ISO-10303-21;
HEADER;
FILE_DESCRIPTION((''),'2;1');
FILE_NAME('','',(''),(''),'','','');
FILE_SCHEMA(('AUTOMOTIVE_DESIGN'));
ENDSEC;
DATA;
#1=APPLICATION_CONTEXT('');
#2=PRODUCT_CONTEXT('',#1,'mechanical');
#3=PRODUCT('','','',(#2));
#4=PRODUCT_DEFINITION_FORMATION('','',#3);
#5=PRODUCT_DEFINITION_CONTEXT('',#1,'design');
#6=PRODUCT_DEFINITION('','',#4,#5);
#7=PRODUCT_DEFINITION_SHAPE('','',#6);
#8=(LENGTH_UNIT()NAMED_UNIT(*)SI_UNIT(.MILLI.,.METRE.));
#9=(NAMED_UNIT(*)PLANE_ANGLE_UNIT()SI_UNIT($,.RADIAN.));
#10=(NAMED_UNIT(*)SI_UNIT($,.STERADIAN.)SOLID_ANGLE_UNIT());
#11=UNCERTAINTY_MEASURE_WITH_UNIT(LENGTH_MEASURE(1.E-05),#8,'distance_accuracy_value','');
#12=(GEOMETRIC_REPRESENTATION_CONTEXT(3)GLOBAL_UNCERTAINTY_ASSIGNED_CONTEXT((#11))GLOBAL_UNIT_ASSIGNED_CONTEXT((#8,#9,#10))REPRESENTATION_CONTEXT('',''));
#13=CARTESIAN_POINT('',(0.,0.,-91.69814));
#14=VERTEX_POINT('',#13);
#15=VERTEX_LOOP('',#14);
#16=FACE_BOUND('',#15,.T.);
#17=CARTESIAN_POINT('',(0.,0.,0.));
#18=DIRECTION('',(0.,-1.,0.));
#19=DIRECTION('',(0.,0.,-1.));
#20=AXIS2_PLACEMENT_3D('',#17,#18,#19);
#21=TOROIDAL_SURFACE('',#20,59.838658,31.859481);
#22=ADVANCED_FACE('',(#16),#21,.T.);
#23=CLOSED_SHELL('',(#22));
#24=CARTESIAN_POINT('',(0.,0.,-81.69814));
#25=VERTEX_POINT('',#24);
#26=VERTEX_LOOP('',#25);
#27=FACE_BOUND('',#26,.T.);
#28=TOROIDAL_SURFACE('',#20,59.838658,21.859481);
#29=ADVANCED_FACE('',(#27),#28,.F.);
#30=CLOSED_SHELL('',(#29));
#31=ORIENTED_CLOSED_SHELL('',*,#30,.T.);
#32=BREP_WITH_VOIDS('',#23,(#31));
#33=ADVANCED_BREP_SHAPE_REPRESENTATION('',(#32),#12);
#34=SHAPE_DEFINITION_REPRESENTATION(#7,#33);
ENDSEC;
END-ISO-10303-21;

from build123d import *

# Parameters (mm, degrees)
SKETCH3_R   = 31.859481341
SKETCH3_R_2 = 21.859481341


with BuildPart() as part:
    # Sketch3 → Revolve-Thin1 (revolve)
    with BuildSketch(Plane(origin=(0, 0, 0), x_dir=(0, 0, -1), z_dir=(1, 0, 0))):
        with Locations((59.838658235, 0)):
            Circle(SKETCH3_R)
        with Locations((59.838658235, 0)):
            Circle(SKETCH3_R_2, mode=Mode.SUBTRACT)
    revolve(axis=Axis((0, 0, 0), (0, 1, 0)))


solid = part.part
